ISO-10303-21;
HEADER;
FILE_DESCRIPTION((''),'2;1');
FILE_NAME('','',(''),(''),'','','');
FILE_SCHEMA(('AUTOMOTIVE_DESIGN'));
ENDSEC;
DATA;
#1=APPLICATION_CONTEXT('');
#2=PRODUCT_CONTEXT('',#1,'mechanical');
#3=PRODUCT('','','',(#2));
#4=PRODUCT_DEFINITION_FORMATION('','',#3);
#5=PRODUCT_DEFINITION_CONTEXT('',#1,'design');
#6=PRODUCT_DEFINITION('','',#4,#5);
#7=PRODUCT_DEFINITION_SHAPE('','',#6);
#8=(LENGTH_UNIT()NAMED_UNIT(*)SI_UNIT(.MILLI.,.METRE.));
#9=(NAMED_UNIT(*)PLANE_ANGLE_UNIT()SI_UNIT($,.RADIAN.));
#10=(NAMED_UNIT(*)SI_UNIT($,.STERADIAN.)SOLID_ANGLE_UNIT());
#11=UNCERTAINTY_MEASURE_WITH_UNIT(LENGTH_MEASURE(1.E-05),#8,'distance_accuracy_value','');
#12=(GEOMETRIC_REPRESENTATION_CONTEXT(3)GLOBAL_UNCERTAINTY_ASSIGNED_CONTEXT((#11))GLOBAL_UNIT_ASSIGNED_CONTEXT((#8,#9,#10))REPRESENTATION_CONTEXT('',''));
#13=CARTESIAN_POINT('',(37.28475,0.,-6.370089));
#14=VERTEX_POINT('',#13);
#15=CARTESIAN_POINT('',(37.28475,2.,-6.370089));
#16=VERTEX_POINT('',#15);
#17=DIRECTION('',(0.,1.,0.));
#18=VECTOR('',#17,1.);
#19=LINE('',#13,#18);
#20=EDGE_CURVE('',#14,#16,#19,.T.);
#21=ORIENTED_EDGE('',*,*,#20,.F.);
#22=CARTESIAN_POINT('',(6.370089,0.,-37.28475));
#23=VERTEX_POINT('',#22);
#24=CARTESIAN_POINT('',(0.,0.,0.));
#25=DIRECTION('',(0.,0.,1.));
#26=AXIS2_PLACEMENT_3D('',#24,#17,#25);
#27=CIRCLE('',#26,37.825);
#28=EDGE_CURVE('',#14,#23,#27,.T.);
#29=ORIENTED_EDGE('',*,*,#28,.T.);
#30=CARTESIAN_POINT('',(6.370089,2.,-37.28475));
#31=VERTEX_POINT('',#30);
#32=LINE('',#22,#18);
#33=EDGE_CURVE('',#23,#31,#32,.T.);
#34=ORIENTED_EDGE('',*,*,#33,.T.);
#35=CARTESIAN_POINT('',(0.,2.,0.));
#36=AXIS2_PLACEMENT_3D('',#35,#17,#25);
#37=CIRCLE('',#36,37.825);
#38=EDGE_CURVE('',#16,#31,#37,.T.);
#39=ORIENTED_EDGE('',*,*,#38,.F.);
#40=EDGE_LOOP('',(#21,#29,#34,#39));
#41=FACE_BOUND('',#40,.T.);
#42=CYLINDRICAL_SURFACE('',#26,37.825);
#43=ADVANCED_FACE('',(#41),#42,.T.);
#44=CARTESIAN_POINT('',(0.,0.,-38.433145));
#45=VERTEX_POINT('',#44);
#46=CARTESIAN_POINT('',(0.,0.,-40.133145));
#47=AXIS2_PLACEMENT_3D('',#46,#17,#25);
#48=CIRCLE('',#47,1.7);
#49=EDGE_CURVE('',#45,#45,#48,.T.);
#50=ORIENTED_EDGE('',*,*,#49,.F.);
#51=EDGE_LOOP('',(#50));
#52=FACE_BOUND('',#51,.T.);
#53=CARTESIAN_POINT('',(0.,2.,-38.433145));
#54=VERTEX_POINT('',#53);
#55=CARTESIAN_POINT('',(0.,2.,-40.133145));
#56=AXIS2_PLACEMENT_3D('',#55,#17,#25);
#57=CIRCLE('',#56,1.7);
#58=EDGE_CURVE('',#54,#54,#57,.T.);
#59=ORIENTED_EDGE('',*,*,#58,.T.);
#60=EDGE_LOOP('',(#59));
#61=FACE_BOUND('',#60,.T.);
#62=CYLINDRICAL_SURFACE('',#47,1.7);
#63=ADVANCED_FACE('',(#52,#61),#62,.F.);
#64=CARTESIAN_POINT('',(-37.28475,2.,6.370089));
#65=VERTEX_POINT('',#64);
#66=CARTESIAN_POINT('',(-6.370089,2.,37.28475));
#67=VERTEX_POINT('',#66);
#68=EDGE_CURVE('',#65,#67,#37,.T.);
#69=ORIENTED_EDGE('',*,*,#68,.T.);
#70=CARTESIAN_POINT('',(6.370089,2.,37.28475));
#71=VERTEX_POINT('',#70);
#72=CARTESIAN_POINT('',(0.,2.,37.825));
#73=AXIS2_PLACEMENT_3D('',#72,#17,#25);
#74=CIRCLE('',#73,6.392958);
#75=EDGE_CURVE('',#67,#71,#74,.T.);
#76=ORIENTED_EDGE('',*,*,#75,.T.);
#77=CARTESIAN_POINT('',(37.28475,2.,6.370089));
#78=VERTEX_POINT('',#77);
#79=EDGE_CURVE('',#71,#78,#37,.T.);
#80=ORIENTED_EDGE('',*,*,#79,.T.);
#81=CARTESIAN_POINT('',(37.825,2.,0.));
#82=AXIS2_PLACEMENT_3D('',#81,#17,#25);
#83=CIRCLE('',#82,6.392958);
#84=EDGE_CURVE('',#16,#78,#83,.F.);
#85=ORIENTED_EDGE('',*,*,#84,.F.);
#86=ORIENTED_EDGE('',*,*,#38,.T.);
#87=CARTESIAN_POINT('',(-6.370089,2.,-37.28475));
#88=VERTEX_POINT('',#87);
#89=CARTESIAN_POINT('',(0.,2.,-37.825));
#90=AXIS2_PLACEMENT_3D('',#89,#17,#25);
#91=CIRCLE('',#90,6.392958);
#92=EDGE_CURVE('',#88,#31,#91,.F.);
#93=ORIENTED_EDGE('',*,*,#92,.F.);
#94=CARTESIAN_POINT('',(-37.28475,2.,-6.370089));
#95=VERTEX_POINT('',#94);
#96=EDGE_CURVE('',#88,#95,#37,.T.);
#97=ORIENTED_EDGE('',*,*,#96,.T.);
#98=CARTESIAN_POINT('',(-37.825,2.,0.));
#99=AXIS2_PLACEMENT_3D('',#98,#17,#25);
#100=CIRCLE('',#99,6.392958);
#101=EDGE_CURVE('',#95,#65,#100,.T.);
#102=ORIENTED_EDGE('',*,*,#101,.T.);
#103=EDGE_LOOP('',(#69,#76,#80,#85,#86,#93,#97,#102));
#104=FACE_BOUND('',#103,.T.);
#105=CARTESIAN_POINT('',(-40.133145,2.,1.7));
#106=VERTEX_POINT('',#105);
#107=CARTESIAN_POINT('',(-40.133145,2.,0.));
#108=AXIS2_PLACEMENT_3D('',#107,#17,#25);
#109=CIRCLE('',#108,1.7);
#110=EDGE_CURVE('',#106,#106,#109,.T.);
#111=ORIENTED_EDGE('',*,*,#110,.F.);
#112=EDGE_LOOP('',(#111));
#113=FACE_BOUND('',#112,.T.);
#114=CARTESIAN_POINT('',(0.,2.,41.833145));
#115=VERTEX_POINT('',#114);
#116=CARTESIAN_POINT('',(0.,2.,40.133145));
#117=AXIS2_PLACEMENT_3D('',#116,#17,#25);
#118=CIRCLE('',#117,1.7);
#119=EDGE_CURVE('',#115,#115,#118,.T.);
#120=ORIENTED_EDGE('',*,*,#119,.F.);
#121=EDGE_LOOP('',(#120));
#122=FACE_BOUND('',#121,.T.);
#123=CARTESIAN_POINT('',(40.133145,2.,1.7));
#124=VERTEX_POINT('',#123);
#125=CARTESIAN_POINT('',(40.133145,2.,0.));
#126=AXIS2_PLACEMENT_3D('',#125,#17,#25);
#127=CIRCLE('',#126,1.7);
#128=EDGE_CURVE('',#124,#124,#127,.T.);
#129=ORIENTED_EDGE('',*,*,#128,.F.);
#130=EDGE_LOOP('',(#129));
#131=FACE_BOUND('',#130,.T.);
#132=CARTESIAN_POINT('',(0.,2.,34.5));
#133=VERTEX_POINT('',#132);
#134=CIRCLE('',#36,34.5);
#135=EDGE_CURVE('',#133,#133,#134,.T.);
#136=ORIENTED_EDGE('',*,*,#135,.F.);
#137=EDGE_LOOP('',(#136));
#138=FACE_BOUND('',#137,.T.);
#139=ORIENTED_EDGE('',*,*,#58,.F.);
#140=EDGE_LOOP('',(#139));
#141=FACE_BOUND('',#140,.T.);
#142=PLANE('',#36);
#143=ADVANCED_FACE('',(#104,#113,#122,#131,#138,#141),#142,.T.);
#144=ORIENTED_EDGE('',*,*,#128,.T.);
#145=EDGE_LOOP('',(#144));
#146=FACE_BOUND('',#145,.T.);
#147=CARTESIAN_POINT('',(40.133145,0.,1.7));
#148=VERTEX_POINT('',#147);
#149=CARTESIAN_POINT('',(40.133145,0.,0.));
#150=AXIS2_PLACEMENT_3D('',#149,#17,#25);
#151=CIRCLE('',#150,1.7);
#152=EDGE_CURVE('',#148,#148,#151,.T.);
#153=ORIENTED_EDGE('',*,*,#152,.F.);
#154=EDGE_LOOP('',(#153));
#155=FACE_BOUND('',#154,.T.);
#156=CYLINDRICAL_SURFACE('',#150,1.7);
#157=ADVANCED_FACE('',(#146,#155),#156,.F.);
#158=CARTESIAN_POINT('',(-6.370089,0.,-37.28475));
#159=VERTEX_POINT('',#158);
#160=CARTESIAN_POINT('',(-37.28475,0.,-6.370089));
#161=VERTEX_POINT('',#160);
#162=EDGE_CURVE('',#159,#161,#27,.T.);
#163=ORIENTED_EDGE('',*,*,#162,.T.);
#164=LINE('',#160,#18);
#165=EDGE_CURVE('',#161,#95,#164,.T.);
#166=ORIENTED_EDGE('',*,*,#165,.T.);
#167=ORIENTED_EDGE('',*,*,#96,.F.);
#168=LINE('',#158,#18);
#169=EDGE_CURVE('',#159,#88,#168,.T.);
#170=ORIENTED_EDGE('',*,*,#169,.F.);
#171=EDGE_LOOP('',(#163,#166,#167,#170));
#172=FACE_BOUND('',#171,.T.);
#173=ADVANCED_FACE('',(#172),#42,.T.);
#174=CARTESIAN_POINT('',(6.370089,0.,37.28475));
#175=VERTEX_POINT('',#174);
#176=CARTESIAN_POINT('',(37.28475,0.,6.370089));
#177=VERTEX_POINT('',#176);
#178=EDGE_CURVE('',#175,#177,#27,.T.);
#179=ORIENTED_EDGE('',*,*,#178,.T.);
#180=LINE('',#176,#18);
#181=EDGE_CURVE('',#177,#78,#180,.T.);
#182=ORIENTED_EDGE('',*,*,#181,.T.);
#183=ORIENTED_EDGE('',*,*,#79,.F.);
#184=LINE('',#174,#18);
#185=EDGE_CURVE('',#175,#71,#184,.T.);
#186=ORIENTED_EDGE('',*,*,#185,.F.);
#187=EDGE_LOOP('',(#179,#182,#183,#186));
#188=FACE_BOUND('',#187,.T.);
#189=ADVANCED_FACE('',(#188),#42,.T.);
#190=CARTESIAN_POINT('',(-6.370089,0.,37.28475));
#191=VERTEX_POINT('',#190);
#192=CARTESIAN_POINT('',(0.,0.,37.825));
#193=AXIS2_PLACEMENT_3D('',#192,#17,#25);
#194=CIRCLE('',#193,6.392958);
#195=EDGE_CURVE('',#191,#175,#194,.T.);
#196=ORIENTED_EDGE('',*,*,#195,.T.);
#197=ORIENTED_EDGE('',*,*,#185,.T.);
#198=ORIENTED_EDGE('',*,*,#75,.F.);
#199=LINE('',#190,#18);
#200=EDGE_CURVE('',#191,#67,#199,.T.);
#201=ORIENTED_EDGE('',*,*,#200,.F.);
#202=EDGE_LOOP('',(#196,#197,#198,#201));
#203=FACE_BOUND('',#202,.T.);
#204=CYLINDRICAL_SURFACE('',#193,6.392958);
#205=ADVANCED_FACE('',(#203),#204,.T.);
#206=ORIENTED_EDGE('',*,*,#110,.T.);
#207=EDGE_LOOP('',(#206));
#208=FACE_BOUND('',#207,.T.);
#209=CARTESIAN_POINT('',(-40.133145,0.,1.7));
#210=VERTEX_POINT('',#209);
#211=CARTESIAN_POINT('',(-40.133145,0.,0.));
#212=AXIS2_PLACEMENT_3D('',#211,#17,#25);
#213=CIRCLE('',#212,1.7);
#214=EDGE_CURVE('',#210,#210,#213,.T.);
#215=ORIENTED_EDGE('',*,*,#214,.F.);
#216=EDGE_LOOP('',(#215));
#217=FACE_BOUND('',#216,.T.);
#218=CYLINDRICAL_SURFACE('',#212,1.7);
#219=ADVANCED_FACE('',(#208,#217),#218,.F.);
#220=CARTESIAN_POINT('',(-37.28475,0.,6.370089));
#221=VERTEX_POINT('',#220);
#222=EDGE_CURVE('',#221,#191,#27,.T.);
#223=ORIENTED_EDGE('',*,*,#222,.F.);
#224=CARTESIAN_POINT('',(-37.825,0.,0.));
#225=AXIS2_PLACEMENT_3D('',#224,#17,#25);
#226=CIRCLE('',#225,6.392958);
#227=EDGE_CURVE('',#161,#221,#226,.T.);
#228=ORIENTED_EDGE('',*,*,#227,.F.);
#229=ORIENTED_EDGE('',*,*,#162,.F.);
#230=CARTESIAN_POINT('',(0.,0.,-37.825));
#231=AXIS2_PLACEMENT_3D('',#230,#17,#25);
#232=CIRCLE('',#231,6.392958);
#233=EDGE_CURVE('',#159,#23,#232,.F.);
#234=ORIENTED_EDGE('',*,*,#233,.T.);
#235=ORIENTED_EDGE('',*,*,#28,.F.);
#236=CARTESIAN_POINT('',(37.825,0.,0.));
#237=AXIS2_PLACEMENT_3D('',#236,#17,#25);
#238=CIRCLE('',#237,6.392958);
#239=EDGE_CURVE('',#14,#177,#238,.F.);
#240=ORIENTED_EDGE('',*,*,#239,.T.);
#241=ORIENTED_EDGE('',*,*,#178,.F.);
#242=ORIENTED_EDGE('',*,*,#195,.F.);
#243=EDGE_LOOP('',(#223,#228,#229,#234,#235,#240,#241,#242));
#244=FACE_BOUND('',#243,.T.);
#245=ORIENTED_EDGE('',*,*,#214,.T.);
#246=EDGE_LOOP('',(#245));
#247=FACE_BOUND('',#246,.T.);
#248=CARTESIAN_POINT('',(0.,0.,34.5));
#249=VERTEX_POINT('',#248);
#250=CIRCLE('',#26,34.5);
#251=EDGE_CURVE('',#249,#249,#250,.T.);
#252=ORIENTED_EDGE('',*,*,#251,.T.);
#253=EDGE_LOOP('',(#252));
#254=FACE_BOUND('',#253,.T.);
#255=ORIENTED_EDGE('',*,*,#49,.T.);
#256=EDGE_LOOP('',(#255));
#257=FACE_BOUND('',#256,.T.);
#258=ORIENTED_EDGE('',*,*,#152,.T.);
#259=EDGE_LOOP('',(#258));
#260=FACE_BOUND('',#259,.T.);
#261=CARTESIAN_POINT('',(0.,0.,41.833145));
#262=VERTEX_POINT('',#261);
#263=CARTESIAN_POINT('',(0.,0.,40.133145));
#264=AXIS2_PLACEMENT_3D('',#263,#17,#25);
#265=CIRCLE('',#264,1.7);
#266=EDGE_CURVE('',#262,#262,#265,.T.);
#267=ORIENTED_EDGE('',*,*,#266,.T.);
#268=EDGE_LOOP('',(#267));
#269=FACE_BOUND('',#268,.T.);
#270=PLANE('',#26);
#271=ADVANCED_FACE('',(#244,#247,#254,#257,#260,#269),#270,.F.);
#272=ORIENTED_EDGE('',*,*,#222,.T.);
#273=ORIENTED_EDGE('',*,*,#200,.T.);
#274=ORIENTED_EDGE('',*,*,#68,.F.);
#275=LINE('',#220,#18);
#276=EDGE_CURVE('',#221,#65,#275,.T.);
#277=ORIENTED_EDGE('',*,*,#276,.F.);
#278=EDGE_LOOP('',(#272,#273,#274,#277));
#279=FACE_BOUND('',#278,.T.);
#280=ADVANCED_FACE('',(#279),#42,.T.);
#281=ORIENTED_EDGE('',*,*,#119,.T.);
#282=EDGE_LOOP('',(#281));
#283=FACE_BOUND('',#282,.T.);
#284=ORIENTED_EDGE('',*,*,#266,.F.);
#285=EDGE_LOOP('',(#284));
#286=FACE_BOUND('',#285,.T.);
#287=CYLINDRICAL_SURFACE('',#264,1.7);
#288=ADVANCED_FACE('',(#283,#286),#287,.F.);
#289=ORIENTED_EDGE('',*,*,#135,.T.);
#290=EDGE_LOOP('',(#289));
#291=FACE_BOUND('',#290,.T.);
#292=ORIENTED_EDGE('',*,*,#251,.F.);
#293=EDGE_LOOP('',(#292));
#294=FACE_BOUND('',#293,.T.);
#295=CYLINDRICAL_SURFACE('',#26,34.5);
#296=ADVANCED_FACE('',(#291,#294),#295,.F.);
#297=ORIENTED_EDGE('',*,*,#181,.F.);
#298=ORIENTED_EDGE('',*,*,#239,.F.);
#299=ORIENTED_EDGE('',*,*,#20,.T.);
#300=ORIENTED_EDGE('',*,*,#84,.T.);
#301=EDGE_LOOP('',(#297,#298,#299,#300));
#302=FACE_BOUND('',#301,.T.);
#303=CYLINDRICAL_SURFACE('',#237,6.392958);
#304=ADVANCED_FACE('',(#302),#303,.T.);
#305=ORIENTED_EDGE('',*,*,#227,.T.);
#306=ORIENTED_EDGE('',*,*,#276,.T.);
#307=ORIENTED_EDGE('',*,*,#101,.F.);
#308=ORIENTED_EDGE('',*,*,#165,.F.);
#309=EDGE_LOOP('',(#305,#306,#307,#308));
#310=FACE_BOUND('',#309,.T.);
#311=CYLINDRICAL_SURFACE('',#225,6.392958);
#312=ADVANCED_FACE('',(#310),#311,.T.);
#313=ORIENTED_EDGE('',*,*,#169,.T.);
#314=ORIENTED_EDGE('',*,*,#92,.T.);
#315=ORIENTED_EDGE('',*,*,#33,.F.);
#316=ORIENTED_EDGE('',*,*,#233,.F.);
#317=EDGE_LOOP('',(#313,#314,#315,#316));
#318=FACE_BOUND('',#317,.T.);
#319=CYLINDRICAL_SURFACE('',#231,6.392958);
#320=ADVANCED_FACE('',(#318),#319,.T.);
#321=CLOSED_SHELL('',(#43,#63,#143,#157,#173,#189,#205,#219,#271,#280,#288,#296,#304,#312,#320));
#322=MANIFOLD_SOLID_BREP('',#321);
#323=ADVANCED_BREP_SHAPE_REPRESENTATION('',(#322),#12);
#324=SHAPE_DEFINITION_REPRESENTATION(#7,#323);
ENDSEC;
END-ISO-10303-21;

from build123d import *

# Parameters (mm, degrees)
SKETCH3_W           = 236.719908988
SKETCH3_H           = 211.092865268
BOSS_EXTRUDE2_DEPTH = 2
SKETCH4_R           = 34.5
CUT_EXTRUDE2_DEPTH  = 2
SKETCH5_W           = 236.719908988
SKETCH5_H           = 211.092865268
CUT_EXTRUDE3_DEPTH  = 2
SKETCH6_R           = 1.7
CUT_EXTRUDE4_DEPTH  = 2


with BuildPart() as part:
    # Sketch3 → Boss-Extrude2 (new body)
    with BuildSketch(Plane(origin=(0, 0, 0), x_dir=(1, 0, 0), z_dir=(0, 1, 0))):
        Rectangle(SKETCH3_W, SKETCH3_H)
    extrude(amount=BOSS_EXTRUDE2_DEPTH)

    # Sketch4 → Cut-Extrude2 (cut)
    with BuildSketch(Plane(origin=(0, 2, 0), x_dir=(1, 0, 0), z_dir=(0, 1, 0))):
        Circle(SKETCH4_R)
    extrude(amount=-CUT_EXTRUDE2_DEPTH, mode=Mode.SUBTRACT)

    # Sketch5 → Cut-Extrude3 (cut)
    with BuildSketch(Plane(origin=(0, 2, 0), x_dir=(1, 0, 0), z_dir=(0, 1, 0))):
        Rectangle(SKETCH5_W, SKETCH5_H)
        with BuildLine():
            ThreePointArc((6.370089382, 37.28475005), (26.746313998, 26.746313998), (37.28475005, 6.370089382))
            ThreePointArc((37.28475005, 6.370089382), (44.217957746, 0), (37.28475005, -6.370089382))
            ThreePointArc((37.28475005, -6.370089382), (26.746313998, -26.746313998), (6.370089382, -37.28475005))
            ThreePointArc((6.370089382, -37.28475005), (0, -44.217957746), (-6.370089382, -37.28475005))
            ThreePointArc((-6.370089382, -37.28475005), (-26.746313998, -26.746313998), (-37.28475005, -6.370089382))
            ThreePointArc((-37.28475005, -6.370089382), (-44.217957746, 0), (-37.28475005, 6.370089382))
            ThreePointArc((-37.28475005, 6.370089382), (-26.746313998, 26.746313998), (-6.370089382, 37.28475005))
            ThreePointArc((-6.370089382, 37.28475005), (0, 44.217957746), (6.370089382, 37.28475005))
        make_face(mode=Mode.SUBTRACT)
    extrude(amount=-CUT_EXTRUDE3_DEPTH, mode=Mode.SUBTRACT)

    # Sketch6 → Cut-Extrude4 (cut)
    with BuildSketch(Plane(origin=(0, 2, 0), x_dir=(1, 0, 0), z_dir=(0, 1, 0))):
        with Locations((0, 40.133145431)):
            Circle(SKETCH6_R)
        with Locations((-40.133145431, 0)):
            Circle(SKETCH6_R)
        with Locations((0, -40.133145431)):
            Circle(SKETCH6_R)
        with Locations((40.133145431, 0)):
            Circle(SKETCH6_R)
    extrude(amount=-CUT_EXTRUDE4_DEPTH, mode=Mode.SUBTRACT)


solid = part.part
